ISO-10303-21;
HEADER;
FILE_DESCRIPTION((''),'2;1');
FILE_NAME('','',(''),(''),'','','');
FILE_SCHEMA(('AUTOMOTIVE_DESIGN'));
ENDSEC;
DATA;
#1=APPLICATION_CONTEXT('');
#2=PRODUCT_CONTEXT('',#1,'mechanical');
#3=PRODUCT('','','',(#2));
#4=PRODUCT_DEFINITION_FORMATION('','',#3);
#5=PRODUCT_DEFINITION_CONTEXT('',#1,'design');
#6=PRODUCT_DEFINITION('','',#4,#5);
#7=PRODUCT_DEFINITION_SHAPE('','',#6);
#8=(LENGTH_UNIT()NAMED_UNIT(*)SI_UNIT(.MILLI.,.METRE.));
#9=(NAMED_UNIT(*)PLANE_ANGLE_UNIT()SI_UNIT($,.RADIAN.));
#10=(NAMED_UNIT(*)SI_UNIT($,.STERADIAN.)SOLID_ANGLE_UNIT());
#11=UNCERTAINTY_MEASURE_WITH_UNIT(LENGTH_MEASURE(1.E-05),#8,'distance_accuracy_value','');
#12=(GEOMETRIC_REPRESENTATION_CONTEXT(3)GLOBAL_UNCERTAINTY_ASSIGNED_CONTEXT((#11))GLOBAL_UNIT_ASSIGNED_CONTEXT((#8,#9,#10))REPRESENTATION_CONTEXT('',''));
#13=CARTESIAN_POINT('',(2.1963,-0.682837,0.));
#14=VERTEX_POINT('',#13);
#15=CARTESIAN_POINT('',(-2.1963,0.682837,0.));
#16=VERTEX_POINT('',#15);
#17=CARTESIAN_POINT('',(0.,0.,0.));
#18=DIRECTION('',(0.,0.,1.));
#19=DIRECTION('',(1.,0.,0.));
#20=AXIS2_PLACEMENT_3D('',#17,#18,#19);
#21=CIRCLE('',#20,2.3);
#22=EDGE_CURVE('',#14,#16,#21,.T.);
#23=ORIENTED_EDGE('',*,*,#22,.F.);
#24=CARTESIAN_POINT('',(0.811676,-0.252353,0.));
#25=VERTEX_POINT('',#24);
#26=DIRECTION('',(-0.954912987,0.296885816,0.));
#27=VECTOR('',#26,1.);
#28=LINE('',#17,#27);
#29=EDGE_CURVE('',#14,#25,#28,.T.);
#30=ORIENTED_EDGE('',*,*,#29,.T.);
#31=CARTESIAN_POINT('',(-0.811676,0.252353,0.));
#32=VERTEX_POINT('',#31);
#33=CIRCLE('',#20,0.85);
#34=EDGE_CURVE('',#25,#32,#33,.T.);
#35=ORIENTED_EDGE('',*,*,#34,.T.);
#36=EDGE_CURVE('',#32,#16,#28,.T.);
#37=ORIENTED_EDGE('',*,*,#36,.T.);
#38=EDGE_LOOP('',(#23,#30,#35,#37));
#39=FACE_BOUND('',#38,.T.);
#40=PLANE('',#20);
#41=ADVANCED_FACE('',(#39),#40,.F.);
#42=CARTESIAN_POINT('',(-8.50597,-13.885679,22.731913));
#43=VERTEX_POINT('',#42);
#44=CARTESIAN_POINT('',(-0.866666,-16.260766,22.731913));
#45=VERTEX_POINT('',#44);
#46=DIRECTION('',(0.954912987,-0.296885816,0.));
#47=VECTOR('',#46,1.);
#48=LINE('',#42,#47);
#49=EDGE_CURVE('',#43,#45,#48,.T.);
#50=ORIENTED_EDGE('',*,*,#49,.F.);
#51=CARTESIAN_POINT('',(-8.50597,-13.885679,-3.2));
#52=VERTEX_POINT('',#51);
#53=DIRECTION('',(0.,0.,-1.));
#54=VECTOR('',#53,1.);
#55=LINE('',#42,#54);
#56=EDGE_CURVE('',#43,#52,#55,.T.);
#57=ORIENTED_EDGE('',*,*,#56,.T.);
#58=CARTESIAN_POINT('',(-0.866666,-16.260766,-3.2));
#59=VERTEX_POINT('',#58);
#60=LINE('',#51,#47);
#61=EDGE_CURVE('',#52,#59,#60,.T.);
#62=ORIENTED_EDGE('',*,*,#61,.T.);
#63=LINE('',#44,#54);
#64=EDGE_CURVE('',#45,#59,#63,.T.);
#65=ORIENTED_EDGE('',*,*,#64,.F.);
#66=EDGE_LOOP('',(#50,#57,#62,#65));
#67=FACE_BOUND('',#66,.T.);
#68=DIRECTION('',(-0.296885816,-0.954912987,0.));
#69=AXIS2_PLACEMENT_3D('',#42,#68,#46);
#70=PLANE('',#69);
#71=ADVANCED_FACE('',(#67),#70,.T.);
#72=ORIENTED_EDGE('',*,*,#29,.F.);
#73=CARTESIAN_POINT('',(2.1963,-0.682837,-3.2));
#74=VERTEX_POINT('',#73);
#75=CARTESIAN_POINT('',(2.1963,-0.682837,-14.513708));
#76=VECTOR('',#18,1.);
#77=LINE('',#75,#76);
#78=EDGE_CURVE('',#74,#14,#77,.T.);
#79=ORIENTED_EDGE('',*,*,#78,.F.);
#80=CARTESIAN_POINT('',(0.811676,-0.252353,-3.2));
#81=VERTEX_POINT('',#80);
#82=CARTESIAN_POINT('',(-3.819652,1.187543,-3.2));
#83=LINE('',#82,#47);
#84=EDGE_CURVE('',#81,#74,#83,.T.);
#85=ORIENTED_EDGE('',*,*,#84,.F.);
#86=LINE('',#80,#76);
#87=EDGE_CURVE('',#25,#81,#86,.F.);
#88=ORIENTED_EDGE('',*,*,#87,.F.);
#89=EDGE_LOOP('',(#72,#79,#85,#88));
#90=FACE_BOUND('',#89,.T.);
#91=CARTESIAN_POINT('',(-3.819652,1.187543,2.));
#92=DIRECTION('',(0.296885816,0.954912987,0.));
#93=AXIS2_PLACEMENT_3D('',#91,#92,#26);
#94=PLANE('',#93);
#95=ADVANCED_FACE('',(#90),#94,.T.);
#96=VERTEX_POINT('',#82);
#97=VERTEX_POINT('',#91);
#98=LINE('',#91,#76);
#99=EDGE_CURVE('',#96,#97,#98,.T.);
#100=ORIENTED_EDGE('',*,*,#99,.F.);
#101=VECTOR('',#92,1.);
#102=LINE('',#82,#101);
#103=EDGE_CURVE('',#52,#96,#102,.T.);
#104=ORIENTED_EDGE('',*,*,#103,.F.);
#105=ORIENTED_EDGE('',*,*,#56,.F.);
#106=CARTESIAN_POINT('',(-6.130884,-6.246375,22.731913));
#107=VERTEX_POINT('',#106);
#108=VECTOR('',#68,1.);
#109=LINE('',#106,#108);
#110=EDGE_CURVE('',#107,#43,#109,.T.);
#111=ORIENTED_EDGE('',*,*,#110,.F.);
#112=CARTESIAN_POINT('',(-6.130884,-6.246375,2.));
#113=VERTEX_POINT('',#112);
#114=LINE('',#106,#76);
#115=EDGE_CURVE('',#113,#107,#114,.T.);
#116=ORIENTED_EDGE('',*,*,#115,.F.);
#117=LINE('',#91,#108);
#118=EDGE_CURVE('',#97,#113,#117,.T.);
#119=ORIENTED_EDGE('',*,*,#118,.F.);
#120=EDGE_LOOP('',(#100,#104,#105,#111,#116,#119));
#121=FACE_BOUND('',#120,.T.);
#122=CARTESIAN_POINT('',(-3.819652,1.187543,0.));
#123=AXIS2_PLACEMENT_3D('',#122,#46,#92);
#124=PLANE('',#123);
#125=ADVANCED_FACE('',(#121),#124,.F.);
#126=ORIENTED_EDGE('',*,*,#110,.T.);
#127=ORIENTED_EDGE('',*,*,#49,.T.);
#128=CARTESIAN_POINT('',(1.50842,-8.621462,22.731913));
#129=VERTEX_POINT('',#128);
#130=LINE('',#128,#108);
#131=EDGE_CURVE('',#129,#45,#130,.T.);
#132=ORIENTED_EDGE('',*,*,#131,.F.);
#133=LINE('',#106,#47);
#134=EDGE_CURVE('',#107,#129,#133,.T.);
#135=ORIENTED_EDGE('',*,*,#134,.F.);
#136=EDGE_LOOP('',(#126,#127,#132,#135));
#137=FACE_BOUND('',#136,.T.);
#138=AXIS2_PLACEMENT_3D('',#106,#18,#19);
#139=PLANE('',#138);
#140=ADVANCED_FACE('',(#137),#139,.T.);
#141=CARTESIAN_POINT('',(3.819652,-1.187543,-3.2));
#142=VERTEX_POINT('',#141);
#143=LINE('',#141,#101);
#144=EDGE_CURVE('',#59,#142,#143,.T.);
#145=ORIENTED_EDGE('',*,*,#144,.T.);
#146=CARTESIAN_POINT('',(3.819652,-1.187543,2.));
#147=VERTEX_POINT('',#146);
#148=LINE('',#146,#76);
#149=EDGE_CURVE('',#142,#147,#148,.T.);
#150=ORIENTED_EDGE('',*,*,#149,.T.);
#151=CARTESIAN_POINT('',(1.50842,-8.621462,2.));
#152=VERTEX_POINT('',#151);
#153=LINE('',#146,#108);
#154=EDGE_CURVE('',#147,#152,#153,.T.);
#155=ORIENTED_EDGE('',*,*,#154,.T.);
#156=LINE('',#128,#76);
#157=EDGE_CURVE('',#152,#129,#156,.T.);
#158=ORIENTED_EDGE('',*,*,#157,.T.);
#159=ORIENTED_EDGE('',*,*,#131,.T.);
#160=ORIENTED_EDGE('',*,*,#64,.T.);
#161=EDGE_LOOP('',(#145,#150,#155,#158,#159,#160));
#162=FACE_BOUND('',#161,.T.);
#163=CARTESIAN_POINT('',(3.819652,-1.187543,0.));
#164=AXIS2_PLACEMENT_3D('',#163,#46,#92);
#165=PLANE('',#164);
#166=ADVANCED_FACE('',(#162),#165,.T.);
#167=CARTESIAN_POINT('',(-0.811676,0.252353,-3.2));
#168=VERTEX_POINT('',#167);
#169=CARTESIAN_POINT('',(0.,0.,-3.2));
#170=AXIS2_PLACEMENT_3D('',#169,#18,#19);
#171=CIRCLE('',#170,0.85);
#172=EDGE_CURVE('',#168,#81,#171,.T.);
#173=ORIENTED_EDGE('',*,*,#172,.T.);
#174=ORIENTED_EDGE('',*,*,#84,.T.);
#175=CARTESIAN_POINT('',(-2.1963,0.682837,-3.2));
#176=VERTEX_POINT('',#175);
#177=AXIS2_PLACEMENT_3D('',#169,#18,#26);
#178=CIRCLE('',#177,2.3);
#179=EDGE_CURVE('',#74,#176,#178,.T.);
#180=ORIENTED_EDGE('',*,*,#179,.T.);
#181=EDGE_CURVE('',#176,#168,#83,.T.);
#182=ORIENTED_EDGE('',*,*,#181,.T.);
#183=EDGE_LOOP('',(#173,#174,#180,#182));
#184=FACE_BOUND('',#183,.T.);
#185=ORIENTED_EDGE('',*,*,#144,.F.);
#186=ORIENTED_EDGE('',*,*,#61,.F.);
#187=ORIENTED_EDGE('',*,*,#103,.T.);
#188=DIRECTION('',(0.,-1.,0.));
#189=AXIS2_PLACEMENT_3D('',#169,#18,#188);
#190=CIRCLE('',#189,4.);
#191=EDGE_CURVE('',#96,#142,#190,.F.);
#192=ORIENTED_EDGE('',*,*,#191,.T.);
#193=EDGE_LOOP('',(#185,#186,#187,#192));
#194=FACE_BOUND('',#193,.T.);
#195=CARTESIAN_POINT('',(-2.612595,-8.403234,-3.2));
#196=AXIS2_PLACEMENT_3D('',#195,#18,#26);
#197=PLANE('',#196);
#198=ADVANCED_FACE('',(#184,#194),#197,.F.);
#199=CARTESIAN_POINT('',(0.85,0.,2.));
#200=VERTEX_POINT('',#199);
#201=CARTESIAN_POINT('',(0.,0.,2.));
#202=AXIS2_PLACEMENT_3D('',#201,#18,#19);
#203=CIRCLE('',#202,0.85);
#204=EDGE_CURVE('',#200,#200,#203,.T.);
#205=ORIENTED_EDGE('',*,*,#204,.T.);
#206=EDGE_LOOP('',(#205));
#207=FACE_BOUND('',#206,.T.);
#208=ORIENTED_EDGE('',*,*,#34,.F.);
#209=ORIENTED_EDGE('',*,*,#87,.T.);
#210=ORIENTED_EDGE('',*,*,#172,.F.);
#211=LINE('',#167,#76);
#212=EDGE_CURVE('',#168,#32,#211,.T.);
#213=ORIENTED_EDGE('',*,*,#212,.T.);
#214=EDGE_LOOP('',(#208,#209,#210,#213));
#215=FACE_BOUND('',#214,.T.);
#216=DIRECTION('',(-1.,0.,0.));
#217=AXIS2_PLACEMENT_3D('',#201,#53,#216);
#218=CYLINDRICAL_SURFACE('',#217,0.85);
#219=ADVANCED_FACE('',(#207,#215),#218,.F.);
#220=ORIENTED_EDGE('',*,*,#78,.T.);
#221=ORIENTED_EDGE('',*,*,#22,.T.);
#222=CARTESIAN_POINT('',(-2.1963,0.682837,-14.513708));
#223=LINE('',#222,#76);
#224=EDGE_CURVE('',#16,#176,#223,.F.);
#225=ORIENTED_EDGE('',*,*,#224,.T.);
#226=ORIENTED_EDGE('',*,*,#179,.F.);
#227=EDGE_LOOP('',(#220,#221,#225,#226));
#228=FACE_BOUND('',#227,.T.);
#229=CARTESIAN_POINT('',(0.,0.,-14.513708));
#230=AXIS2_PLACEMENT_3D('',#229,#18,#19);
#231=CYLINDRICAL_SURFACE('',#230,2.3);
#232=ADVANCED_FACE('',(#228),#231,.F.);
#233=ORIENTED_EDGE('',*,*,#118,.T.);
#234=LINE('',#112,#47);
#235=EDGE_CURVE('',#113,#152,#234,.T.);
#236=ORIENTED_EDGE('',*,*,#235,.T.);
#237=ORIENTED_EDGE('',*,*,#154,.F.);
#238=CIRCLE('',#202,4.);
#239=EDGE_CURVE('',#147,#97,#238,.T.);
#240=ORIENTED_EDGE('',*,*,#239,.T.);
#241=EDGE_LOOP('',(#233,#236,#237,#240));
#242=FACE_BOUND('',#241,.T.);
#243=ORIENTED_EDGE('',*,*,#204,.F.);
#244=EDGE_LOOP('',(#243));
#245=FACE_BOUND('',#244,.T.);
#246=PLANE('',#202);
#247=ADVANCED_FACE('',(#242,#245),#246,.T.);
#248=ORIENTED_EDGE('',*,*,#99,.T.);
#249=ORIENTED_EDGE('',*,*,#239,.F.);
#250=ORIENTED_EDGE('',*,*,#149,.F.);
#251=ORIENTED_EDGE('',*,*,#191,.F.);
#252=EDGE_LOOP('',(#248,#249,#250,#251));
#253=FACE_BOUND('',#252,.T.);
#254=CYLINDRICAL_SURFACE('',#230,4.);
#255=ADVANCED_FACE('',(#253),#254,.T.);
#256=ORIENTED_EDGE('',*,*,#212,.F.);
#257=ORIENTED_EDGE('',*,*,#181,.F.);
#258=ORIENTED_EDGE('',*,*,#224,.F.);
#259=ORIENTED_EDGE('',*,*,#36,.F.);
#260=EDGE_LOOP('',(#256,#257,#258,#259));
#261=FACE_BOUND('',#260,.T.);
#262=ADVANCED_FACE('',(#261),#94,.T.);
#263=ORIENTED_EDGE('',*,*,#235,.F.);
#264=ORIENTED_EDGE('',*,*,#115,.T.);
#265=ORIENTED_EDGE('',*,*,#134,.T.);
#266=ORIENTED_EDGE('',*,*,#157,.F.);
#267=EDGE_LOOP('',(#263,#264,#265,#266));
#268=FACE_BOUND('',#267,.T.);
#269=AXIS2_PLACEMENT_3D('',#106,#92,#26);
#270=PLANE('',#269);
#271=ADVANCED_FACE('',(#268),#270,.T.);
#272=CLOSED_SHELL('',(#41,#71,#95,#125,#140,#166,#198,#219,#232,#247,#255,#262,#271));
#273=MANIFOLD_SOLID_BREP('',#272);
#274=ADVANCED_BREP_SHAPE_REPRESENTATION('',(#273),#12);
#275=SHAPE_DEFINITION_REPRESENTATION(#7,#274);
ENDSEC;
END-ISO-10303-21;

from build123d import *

# Parameters (mm, degrees)
SKETCH1_R           = 4
SKETCH1_R_2         = 2.3
BOSS_EXTRUDE1_DEPTH = 3.2
SKETCH2_R           = 4
SKETCH2_R_2         = 0.85
BOSS_EXTRUDE2_DEPTH = 2
BOSS_EXTRUDE3_DEPTH = 8
SKETCH6_R           = 0.85
CUT_EXTRUDE1_DEPTH  = 6.2


with BuildPart() as part:
    # Sketch1 → Boss-Extrude1 (new body)
    with BuildSketch(Plane.XY):
        Circle(SKETCH1_R)
        Circle(SKETCH1_R_2, mode=Mode.SUBTRACT)
    extrude(amount=-BOSS_EXTRUDE1_DEPTH)

    # Sketch2 → Boss-Extrude2 (add)
    with BuildSketch(Plane.XY):
        Circle(SKETCH2_R)
        Circle(SKETCH2_R_2, mode=Mode.SUBTRACT)
    extrude(amount=BOSS_EXTRUDE2_DEPTH)

    # Sketch5 → Boss-Extrude3 (add)
    with BuildSketch(Plane(origin=(3.819651946, -1.187543266, 0), x_dir=(0, 0, -1), z_dir=(0.954912987, -0.296885816, 0))):
        Polygon((-2, 0), (3.2, 0), (3.2, -15.784917441), (-22.731913212, -15.784917441), (-22.731913212, -7.784917441), (-2, -7.784917441), align=None)
    extrude(amount=-BOSS_EXTRUDE3_DEPTH)

    # Sketch6 → Cut-Extrude1 (cut, through all)
    with BuildSketch(Plane.XY.offset(2)):
        Circle(SKETCH6_R)
    extrude(amount=-CUT_EXTRUDE1_DEPTH, mode=Mode.SUBTRACT)


solid = part.part
